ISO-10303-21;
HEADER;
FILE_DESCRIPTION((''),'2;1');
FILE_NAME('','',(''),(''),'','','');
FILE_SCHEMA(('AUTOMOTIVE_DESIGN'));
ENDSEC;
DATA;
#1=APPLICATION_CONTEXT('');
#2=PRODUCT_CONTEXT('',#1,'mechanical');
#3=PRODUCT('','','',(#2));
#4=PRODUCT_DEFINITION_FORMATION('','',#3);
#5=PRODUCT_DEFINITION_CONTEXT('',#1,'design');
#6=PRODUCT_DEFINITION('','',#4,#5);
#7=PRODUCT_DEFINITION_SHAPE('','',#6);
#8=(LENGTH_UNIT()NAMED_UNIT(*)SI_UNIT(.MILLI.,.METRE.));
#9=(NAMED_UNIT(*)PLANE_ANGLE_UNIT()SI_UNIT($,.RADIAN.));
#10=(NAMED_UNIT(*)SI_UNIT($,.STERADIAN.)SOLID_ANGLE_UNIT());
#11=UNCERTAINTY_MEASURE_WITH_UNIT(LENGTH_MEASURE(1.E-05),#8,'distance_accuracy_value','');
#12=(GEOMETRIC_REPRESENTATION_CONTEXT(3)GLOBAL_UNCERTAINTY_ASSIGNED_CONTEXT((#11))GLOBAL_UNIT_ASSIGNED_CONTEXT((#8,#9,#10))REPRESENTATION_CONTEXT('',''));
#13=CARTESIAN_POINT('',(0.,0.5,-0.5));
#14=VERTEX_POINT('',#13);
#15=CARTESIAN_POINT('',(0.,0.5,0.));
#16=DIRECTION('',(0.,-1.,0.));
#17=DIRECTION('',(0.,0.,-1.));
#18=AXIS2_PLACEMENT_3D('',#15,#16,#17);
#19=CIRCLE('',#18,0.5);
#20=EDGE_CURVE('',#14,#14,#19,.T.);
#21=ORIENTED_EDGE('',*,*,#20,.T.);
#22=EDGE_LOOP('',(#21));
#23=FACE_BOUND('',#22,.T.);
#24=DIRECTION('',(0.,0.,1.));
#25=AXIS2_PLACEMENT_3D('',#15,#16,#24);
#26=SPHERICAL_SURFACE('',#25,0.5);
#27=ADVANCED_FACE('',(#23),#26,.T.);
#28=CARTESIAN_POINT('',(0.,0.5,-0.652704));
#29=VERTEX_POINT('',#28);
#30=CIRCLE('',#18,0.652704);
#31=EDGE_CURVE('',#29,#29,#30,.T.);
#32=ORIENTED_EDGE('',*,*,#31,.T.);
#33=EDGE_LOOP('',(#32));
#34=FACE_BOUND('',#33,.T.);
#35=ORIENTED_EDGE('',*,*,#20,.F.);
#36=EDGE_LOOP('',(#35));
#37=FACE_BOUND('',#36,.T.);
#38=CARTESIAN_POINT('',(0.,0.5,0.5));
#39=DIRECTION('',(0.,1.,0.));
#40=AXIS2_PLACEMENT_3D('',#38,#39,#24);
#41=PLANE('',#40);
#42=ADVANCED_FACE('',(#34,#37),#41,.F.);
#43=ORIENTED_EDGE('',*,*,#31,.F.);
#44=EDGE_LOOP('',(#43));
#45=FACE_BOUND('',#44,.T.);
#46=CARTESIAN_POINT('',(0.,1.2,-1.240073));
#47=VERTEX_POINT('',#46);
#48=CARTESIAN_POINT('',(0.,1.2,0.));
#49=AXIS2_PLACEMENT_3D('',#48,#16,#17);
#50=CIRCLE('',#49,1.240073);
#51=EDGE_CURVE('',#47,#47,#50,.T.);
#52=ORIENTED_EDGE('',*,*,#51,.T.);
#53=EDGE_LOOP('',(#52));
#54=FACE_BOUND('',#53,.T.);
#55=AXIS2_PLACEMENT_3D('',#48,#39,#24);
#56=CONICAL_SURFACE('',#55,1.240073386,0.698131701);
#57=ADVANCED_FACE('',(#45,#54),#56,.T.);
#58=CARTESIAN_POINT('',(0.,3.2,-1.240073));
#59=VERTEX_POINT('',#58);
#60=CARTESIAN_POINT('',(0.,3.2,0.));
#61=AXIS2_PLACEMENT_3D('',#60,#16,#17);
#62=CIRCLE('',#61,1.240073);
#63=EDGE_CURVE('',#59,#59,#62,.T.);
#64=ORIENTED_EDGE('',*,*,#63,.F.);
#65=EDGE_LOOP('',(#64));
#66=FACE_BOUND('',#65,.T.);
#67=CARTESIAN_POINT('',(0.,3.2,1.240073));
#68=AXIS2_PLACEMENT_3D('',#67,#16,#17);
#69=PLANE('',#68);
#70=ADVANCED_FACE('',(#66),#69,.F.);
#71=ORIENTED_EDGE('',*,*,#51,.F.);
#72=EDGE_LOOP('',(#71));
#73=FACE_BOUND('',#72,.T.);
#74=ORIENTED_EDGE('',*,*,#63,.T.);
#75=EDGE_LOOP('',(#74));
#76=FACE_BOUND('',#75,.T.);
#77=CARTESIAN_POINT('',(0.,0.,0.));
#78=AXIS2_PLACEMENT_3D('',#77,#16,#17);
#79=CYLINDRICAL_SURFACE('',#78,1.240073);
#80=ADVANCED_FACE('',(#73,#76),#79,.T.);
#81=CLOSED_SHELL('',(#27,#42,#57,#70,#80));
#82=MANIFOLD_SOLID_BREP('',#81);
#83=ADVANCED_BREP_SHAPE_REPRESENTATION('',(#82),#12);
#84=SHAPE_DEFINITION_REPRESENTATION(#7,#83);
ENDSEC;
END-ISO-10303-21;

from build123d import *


with BuildPart() as part:
    # Sketch1 → Revolve1 (revolve)
    with BuildSketch(Plane(origin=(0, 0, 0), x_dir=(0, 0, -1), z_dir=(1, 0, 0)), mode=Mode.PRIVATE) as revolve1_sk:
        with BuildLine():
            Line((-0.5, 0.5), (-0.652703645, 0.5))
            Line((-0.652703645, 0.5), (-1.240073386, 1.2))
            Line((-1.240073386, 1.2), (-1.240073386, 3.2))
            Line((-1.240073386, 3.2), (0, 3.2))
            Line((0, 3.2), (0, 0))
            ThreePointArc((0, 0), (-0.353553391, 0.146446609), (-0.5, 0.5))
        make_face()
    revolve(revolve1_sk.sketch.rotate(Axis((0, 0, 0), (0, 1, 0)), 180), axis=Axis((0, 0, 0), (0, 1, 0)))


solid = part.part
